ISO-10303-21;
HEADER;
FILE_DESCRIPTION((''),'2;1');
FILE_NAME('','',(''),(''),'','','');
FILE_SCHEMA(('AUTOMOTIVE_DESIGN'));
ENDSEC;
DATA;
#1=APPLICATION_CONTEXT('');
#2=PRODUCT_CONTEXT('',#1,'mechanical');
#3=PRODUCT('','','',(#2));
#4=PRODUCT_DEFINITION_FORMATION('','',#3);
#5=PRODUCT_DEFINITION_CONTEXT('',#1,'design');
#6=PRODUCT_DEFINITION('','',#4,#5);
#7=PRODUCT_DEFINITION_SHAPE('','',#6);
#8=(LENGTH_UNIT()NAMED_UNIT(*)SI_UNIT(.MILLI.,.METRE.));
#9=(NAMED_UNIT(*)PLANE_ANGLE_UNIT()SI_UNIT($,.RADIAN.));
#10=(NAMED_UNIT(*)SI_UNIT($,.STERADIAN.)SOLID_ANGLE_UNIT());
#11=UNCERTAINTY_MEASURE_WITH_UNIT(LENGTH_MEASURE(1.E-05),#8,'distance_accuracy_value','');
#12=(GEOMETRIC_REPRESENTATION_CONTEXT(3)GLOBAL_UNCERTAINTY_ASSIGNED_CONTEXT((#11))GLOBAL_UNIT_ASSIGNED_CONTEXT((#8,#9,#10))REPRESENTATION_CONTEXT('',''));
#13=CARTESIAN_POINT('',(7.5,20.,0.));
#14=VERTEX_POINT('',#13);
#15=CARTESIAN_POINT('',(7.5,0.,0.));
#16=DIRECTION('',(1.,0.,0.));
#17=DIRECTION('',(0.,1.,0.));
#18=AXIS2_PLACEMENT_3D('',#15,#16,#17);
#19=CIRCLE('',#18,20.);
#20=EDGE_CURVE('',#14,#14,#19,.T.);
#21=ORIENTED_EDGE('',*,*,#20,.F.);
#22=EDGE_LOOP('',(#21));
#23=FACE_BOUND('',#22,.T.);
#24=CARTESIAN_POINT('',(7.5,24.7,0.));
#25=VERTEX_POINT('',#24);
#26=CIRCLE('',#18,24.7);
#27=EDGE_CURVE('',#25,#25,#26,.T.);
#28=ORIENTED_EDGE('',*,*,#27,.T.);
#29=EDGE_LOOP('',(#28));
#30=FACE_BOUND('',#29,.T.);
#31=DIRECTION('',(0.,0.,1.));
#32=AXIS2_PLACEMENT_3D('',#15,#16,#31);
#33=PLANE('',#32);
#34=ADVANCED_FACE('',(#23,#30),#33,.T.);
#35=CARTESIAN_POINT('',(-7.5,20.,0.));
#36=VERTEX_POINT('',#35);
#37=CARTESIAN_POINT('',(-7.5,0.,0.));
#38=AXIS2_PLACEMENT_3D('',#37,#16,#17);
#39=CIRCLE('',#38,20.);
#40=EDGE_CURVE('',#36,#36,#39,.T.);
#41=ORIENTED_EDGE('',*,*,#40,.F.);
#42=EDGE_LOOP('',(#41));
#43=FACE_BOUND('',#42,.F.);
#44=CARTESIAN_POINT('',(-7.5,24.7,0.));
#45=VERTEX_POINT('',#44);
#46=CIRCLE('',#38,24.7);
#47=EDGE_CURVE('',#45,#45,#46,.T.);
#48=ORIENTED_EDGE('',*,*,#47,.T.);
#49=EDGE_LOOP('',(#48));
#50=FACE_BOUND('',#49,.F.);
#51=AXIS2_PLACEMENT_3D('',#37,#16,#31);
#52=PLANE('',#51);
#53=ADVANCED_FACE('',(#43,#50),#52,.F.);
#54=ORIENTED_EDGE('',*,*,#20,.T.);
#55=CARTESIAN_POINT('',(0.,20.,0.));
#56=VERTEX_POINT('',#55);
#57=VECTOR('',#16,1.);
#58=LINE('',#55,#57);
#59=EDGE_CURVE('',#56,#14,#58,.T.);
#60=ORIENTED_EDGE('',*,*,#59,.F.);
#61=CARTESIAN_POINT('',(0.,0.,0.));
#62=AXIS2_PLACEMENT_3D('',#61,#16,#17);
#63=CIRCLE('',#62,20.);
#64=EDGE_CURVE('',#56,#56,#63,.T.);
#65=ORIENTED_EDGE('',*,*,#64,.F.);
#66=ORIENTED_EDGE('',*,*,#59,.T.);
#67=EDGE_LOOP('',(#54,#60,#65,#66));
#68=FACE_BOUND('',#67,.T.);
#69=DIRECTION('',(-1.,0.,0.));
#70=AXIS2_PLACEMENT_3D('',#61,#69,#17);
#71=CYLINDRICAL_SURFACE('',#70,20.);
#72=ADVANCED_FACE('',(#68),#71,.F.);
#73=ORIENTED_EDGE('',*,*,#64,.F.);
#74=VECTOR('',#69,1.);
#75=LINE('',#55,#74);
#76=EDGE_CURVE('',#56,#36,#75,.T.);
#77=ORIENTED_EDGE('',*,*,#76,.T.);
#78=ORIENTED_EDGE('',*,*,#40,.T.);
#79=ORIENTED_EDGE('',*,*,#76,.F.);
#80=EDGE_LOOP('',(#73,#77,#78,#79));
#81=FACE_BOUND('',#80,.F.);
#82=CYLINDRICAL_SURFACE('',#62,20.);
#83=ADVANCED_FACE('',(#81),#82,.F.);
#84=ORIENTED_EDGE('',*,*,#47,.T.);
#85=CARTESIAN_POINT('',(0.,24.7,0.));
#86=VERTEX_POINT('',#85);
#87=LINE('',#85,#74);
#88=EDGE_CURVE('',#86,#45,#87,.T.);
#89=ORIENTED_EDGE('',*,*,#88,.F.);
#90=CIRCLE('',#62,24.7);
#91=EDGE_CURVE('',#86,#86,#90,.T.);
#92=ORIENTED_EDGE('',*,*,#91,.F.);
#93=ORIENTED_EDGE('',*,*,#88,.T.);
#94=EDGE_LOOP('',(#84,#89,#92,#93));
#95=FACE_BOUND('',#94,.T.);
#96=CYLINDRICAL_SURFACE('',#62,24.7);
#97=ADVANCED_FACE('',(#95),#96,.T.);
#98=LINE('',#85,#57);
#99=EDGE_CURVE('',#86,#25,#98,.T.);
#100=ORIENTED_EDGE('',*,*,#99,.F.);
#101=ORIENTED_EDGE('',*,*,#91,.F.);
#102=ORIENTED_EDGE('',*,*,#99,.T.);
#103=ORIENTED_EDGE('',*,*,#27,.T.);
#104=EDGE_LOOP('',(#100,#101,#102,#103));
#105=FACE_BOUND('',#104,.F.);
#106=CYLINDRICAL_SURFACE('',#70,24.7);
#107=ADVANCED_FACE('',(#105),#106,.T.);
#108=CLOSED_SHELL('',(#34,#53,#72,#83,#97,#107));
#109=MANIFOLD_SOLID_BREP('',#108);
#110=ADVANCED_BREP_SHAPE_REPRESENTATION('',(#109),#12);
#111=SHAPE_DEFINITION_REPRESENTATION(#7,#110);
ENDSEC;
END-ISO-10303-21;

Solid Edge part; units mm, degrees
sketch "Sketch1" plane through (0, 0, 0) normal (1, 0, 0) x (0, 1, 0)
  circle A0 centre (0, 0) radius 20
  circle A1 centre (0, 0) radius 24.7
extrude "Protrusion1" add sketch "Sketch1" along normal mid plane 15
